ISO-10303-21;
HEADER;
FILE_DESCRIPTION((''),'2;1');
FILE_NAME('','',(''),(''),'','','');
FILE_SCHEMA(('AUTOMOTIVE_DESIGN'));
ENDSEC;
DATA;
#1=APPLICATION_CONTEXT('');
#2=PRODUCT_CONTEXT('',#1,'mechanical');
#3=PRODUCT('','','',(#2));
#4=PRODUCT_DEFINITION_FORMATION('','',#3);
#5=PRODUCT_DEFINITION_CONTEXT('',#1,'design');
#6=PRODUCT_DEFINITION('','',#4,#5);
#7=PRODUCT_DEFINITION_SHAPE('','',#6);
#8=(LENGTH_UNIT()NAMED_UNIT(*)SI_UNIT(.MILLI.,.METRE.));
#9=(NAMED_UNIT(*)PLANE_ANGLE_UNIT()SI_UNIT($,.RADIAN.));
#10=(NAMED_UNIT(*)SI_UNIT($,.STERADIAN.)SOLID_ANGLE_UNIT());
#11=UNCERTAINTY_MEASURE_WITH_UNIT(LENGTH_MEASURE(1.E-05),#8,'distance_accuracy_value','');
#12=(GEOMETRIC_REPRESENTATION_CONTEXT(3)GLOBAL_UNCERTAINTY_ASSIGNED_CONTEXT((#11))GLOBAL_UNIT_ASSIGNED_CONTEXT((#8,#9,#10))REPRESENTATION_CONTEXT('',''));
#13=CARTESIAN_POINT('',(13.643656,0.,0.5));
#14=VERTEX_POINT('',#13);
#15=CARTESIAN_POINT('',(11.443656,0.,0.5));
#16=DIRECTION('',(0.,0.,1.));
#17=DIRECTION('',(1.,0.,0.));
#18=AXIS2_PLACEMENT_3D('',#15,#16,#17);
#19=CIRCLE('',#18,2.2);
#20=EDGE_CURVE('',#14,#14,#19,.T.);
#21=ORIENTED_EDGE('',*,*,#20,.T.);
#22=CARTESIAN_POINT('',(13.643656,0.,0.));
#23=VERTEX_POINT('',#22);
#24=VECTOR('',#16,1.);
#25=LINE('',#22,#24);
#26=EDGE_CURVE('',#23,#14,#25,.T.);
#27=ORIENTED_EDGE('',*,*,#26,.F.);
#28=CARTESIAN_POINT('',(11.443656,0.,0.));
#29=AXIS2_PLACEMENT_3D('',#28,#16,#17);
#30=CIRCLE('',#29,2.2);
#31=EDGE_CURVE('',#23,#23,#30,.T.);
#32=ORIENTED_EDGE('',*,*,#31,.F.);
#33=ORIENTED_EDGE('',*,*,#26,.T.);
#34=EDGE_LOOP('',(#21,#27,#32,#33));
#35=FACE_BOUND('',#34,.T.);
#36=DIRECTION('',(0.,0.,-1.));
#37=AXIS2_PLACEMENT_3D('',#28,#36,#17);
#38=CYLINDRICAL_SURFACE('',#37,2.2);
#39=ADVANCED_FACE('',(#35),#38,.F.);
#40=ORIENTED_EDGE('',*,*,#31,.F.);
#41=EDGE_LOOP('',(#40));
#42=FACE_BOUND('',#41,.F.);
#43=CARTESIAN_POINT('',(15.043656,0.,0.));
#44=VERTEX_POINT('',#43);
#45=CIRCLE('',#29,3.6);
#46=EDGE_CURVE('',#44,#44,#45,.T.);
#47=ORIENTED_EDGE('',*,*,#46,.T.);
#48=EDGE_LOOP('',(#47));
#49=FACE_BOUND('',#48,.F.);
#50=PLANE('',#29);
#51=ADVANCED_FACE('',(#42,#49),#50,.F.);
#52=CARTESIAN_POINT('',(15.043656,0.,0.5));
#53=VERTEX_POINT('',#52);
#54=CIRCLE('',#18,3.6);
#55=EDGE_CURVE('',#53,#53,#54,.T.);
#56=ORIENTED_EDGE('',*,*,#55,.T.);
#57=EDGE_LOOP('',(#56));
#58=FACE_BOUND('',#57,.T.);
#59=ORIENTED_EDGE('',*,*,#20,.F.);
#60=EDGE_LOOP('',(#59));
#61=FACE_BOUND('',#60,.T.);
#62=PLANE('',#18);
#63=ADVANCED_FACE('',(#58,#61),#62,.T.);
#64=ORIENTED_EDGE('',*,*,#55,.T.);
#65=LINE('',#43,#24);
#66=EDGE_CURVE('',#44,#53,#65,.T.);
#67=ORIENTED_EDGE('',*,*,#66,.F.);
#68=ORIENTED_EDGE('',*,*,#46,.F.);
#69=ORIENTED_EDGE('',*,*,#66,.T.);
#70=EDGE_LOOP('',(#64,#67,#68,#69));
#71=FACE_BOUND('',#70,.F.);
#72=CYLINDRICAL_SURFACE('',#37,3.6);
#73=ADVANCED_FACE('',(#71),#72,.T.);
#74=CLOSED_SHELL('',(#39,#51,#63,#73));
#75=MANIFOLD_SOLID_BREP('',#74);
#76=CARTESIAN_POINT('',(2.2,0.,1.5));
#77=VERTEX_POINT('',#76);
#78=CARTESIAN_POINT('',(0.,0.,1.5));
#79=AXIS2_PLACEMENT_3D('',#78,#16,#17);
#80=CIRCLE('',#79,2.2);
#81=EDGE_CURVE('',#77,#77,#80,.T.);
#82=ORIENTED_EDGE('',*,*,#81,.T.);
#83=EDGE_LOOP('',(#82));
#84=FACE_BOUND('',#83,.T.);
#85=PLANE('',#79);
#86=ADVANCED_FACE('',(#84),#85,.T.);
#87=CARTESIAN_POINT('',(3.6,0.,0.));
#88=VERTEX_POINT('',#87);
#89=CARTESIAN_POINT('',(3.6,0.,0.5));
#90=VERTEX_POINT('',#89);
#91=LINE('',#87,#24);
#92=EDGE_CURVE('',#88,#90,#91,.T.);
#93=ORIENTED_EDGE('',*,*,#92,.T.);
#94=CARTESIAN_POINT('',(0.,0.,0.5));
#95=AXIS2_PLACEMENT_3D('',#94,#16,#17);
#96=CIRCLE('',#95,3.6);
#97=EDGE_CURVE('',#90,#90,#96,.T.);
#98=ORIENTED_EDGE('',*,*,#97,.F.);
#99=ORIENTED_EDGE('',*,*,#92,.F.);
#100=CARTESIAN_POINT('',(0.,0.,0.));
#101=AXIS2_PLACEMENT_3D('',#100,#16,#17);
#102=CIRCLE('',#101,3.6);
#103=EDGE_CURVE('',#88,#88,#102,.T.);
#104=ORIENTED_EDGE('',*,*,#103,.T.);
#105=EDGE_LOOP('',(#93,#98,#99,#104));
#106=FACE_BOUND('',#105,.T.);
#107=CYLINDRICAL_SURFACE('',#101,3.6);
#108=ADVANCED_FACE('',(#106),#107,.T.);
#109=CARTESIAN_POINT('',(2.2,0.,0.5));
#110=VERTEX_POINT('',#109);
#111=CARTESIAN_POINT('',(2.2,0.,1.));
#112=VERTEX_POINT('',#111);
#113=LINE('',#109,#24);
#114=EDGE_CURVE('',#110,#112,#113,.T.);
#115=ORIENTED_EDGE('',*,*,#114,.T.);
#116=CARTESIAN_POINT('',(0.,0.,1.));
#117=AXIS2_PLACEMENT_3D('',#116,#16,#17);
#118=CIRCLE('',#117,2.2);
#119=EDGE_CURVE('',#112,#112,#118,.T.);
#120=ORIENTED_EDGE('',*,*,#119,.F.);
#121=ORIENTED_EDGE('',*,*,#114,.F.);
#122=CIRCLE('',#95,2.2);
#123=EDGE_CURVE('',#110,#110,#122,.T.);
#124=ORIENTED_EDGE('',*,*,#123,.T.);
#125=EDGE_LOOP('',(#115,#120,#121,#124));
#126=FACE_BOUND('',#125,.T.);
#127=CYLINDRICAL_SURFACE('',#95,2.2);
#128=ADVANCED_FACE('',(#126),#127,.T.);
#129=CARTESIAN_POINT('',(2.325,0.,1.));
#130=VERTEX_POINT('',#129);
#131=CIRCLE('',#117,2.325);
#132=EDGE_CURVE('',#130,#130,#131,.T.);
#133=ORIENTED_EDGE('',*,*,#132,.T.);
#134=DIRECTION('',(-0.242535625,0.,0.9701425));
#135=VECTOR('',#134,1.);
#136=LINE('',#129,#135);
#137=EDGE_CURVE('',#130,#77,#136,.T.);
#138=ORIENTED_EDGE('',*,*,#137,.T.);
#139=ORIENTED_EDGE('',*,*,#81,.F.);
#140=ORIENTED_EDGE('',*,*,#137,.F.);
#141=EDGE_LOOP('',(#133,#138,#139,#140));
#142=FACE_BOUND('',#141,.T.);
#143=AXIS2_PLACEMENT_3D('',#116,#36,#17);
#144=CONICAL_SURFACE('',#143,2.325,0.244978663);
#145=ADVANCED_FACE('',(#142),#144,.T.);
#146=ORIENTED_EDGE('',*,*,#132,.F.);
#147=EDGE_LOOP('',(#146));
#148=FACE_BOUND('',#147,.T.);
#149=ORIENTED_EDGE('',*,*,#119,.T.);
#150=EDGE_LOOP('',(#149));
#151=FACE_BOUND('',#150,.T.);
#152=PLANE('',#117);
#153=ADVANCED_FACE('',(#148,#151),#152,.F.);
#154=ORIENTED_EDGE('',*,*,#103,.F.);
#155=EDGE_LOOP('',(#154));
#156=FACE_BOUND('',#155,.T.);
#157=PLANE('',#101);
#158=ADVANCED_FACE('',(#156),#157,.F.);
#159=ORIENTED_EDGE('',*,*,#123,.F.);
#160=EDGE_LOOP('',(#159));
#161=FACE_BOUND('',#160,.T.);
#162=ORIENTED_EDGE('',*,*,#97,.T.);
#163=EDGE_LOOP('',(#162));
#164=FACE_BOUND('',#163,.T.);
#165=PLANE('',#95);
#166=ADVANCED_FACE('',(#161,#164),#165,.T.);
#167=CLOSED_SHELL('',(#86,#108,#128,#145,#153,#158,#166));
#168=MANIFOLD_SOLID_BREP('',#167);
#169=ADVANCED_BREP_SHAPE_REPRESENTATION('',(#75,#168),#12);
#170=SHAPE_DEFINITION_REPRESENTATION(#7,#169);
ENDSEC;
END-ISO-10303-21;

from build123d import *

# Parameters (mm, degrees)
F2_R     = 3.6
F2_R_2   = 2.2
F3_DEPTH = 0.5


with BuildPart() as f1:
    # F0 (on Front) → F1 (revolve)
    with BuildSketch(Plane.XZ):
        Polygon((2.325, 1), (2.2, 1.5), (2.2, 1), align=None)
        Polygon((0, 0.5), (0, 0), (2.2, 0), (3.6, 0), (3.6, 0.5), (2.2, 0.5), (2.2, 1), (2.2, 1.5), (0, 1.5), align=None)
    revolve(axis=Axis((0, 0, 0.75), (0, 0, 1)))


with BuildPart() as f3:
    # F2 (on Top) → F3 (new body)
    with BuildSketch(Plane.XY):
        with Locations((11.443656, 0)):
            Circle(F2_R)
        with Locations((11.443656, 0)):
            Circle(F2_R_2, mode=Mode.SUBTRACT)
    extrude(amount=F3_DEPTH)


solid = Compound([f1.part, f3.part])
